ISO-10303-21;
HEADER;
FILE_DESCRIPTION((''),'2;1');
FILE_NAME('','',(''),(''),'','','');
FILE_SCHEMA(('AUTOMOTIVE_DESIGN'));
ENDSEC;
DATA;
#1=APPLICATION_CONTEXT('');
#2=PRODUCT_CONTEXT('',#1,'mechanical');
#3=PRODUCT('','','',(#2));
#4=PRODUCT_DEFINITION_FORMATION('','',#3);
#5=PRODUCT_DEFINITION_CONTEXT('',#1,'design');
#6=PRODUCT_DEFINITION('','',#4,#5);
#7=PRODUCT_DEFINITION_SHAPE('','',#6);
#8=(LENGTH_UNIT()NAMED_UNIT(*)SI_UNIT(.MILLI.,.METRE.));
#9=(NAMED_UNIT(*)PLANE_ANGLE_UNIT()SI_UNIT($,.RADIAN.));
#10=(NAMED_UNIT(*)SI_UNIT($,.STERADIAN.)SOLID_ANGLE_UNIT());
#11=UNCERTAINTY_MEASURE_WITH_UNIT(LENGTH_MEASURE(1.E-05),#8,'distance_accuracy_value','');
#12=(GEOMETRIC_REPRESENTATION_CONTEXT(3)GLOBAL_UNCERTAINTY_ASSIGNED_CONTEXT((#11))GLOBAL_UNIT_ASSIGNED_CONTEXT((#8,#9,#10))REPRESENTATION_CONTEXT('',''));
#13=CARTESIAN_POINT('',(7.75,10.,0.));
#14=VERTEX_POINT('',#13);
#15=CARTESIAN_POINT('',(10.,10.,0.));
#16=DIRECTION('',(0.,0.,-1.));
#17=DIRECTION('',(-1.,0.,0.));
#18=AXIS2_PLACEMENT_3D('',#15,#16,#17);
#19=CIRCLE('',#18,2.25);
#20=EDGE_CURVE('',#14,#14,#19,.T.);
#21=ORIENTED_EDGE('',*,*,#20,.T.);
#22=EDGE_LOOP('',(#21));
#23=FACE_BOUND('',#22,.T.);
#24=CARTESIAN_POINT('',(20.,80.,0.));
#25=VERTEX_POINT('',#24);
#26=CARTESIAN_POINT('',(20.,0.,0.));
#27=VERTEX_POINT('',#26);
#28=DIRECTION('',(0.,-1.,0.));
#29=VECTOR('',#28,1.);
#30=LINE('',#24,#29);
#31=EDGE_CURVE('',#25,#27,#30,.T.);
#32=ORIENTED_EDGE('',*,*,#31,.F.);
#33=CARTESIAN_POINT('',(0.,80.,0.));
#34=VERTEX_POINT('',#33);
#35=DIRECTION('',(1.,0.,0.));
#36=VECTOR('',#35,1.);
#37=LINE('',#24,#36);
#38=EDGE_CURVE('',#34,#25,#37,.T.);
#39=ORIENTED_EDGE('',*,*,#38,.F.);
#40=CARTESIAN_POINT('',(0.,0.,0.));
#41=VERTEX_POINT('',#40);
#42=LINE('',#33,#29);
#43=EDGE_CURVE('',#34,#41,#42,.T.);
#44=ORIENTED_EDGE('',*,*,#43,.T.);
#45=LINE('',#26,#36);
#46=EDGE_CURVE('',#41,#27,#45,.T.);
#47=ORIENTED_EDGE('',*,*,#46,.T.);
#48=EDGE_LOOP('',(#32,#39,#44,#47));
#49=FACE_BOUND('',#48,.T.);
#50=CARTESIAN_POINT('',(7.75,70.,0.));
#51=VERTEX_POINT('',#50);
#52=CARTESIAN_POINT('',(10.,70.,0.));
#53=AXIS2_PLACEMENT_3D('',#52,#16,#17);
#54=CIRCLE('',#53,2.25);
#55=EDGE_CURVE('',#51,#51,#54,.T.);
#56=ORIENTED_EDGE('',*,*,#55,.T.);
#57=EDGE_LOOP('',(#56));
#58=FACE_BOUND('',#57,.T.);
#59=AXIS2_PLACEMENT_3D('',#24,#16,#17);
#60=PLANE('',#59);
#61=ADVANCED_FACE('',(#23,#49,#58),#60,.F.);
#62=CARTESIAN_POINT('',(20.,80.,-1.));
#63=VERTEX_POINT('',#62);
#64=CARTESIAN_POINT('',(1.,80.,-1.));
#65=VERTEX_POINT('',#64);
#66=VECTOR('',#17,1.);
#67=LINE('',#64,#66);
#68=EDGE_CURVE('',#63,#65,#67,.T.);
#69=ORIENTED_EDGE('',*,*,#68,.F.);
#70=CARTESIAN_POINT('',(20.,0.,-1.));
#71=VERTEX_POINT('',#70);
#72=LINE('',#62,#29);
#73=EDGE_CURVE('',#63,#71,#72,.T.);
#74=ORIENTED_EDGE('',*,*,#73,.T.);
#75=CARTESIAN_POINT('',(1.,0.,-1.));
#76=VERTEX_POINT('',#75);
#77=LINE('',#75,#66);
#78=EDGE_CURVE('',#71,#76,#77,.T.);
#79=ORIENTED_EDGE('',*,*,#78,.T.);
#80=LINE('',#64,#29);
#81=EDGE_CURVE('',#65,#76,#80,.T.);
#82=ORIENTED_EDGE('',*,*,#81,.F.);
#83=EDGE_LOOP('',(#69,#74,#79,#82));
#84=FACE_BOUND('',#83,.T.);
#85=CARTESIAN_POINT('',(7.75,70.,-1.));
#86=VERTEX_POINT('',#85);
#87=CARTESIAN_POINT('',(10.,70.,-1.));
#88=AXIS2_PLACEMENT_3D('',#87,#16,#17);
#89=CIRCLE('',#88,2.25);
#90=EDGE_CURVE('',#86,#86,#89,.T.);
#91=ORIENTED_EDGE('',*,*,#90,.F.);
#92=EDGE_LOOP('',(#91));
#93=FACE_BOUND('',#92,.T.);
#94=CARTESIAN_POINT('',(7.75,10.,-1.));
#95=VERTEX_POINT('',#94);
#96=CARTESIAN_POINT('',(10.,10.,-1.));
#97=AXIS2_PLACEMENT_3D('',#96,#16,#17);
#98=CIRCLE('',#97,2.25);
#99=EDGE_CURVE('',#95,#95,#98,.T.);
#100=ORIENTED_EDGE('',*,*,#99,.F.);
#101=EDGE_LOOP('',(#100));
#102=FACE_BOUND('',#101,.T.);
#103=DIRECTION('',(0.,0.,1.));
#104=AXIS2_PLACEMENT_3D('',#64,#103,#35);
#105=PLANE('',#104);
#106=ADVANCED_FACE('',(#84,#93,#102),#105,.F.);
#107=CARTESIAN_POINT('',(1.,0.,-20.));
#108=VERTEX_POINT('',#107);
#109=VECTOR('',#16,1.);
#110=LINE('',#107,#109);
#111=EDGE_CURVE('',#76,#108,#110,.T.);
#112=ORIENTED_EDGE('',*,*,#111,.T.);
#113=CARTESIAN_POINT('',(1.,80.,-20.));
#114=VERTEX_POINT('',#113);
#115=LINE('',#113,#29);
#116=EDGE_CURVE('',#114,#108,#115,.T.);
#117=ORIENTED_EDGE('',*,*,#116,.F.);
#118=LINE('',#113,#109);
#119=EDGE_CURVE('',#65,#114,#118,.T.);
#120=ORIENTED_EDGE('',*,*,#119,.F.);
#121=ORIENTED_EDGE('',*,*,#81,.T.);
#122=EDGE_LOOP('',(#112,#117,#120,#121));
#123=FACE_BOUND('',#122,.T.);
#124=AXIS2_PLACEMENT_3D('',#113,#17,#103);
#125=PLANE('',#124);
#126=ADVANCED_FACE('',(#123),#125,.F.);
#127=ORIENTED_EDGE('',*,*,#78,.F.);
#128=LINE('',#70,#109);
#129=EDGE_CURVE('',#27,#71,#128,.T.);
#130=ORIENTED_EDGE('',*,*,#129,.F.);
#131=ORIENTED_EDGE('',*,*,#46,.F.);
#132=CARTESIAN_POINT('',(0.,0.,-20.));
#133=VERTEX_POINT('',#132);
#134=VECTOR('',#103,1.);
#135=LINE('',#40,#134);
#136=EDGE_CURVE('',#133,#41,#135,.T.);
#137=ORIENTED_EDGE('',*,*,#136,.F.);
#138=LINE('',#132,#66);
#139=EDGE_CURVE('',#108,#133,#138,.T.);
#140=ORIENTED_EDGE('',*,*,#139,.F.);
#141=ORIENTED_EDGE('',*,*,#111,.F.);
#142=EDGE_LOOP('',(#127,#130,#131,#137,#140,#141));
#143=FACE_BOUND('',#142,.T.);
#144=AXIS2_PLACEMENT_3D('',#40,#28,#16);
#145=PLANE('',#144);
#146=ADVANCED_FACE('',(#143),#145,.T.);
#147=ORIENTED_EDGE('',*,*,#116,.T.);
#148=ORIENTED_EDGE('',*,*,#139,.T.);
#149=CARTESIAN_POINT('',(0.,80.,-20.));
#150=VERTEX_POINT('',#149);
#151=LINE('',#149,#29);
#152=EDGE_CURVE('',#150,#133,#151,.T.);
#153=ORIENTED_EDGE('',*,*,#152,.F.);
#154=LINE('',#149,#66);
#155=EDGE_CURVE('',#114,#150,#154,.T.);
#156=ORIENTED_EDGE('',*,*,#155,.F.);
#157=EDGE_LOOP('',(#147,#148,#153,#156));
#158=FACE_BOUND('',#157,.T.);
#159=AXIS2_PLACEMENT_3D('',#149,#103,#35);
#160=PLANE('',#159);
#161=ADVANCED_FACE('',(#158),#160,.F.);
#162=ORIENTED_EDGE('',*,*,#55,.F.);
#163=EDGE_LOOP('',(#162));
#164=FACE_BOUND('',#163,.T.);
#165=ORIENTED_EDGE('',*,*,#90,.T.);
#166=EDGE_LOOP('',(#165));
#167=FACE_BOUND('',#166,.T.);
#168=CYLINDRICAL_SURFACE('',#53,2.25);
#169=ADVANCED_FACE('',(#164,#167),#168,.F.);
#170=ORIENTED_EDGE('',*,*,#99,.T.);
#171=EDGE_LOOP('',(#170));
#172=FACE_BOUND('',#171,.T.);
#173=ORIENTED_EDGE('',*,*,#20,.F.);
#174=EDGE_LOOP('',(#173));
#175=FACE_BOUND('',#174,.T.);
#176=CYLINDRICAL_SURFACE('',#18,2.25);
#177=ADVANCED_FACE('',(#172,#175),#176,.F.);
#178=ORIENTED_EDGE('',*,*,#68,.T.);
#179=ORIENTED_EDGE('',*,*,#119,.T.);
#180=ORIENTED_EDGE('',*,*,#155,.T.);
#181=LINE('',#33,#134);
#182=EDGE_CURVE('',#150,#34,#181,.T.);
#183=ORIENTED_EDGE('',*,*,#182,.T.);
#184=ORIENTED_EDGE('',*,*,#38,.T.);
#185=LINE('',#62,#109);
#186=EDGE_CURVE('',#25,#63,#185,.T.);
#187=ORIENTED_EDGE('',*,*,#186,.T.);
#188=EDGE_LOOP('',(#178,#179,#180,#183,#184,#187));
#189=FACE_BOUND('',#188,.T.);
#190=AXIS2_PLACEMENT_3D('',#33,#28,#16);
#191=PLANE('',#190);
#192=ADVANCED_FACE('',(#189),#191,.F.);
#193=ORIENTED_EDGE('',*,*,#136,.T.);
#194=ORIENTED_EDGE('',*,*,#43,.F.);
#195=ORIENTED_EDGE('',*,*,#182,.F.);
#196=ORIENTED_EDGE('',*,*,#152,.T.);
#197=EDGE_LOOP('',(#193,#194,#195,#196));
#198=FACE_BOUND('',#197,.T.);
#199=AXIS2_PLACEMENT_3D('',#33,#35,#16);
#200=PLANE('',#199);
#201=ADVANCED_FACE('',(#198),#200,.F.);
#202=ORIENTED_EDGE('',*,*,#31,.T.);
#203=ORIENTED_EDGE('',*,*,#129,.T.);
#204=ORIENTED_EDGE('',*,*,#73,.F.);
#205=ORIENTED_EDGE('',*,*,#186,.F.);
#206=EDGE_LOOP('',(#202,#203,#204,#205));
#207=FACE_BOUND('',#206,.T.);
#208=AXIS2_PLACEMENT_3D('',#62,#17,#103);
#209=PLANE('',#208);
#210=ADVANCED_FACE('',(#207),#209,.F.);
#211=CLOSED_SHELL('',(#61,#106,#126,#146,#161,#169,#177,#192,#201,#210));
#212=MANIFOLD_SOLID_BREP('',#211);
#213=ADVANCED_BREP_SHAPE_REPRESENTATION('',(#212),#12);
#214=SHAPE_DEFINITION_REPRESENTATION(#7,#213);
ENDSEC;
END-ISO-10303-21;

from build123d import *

# Parameters (mm, degrees)
EXTRUDE_1_DEPTH     = 80
SKETCH_2_R          = 2.25
CUT_EXTRUDE_1_DEPTH = 2


with BuildPart() as part:
    # Эскиз1 → Бобышка-Вытянуть1 (new body)
    with BuildSketch(Plane(origin=(0, 0, 0), x_dir=(1, 0, 0), z_dir=(0, 1, 0))):
        Polygon((0, 0), (0, 20), (1, 20), (1, 1), (20, 1), (20, 0), align=None)
    extrude(amount=EXTRUDE_1_DEPTH)

    # Эскиз2 → Вырез-Вытянуть1 (cut, through all)
    with BuildSketch(Plane(origin=(0, 0, -1), x_dir=(-1, 0, 0), z_dir=(0, 0, -1))):
        with Locations((-10, 10)):
            Circle(SKETCH_2_R)
        with Locations((-10, 70)):
            Circle(SKETCH_2_R)
    extrude(amount=-CUT_EXTRUDE_1_DEPTH, mode=Mode.SUBTRACT)


solid = part.part
